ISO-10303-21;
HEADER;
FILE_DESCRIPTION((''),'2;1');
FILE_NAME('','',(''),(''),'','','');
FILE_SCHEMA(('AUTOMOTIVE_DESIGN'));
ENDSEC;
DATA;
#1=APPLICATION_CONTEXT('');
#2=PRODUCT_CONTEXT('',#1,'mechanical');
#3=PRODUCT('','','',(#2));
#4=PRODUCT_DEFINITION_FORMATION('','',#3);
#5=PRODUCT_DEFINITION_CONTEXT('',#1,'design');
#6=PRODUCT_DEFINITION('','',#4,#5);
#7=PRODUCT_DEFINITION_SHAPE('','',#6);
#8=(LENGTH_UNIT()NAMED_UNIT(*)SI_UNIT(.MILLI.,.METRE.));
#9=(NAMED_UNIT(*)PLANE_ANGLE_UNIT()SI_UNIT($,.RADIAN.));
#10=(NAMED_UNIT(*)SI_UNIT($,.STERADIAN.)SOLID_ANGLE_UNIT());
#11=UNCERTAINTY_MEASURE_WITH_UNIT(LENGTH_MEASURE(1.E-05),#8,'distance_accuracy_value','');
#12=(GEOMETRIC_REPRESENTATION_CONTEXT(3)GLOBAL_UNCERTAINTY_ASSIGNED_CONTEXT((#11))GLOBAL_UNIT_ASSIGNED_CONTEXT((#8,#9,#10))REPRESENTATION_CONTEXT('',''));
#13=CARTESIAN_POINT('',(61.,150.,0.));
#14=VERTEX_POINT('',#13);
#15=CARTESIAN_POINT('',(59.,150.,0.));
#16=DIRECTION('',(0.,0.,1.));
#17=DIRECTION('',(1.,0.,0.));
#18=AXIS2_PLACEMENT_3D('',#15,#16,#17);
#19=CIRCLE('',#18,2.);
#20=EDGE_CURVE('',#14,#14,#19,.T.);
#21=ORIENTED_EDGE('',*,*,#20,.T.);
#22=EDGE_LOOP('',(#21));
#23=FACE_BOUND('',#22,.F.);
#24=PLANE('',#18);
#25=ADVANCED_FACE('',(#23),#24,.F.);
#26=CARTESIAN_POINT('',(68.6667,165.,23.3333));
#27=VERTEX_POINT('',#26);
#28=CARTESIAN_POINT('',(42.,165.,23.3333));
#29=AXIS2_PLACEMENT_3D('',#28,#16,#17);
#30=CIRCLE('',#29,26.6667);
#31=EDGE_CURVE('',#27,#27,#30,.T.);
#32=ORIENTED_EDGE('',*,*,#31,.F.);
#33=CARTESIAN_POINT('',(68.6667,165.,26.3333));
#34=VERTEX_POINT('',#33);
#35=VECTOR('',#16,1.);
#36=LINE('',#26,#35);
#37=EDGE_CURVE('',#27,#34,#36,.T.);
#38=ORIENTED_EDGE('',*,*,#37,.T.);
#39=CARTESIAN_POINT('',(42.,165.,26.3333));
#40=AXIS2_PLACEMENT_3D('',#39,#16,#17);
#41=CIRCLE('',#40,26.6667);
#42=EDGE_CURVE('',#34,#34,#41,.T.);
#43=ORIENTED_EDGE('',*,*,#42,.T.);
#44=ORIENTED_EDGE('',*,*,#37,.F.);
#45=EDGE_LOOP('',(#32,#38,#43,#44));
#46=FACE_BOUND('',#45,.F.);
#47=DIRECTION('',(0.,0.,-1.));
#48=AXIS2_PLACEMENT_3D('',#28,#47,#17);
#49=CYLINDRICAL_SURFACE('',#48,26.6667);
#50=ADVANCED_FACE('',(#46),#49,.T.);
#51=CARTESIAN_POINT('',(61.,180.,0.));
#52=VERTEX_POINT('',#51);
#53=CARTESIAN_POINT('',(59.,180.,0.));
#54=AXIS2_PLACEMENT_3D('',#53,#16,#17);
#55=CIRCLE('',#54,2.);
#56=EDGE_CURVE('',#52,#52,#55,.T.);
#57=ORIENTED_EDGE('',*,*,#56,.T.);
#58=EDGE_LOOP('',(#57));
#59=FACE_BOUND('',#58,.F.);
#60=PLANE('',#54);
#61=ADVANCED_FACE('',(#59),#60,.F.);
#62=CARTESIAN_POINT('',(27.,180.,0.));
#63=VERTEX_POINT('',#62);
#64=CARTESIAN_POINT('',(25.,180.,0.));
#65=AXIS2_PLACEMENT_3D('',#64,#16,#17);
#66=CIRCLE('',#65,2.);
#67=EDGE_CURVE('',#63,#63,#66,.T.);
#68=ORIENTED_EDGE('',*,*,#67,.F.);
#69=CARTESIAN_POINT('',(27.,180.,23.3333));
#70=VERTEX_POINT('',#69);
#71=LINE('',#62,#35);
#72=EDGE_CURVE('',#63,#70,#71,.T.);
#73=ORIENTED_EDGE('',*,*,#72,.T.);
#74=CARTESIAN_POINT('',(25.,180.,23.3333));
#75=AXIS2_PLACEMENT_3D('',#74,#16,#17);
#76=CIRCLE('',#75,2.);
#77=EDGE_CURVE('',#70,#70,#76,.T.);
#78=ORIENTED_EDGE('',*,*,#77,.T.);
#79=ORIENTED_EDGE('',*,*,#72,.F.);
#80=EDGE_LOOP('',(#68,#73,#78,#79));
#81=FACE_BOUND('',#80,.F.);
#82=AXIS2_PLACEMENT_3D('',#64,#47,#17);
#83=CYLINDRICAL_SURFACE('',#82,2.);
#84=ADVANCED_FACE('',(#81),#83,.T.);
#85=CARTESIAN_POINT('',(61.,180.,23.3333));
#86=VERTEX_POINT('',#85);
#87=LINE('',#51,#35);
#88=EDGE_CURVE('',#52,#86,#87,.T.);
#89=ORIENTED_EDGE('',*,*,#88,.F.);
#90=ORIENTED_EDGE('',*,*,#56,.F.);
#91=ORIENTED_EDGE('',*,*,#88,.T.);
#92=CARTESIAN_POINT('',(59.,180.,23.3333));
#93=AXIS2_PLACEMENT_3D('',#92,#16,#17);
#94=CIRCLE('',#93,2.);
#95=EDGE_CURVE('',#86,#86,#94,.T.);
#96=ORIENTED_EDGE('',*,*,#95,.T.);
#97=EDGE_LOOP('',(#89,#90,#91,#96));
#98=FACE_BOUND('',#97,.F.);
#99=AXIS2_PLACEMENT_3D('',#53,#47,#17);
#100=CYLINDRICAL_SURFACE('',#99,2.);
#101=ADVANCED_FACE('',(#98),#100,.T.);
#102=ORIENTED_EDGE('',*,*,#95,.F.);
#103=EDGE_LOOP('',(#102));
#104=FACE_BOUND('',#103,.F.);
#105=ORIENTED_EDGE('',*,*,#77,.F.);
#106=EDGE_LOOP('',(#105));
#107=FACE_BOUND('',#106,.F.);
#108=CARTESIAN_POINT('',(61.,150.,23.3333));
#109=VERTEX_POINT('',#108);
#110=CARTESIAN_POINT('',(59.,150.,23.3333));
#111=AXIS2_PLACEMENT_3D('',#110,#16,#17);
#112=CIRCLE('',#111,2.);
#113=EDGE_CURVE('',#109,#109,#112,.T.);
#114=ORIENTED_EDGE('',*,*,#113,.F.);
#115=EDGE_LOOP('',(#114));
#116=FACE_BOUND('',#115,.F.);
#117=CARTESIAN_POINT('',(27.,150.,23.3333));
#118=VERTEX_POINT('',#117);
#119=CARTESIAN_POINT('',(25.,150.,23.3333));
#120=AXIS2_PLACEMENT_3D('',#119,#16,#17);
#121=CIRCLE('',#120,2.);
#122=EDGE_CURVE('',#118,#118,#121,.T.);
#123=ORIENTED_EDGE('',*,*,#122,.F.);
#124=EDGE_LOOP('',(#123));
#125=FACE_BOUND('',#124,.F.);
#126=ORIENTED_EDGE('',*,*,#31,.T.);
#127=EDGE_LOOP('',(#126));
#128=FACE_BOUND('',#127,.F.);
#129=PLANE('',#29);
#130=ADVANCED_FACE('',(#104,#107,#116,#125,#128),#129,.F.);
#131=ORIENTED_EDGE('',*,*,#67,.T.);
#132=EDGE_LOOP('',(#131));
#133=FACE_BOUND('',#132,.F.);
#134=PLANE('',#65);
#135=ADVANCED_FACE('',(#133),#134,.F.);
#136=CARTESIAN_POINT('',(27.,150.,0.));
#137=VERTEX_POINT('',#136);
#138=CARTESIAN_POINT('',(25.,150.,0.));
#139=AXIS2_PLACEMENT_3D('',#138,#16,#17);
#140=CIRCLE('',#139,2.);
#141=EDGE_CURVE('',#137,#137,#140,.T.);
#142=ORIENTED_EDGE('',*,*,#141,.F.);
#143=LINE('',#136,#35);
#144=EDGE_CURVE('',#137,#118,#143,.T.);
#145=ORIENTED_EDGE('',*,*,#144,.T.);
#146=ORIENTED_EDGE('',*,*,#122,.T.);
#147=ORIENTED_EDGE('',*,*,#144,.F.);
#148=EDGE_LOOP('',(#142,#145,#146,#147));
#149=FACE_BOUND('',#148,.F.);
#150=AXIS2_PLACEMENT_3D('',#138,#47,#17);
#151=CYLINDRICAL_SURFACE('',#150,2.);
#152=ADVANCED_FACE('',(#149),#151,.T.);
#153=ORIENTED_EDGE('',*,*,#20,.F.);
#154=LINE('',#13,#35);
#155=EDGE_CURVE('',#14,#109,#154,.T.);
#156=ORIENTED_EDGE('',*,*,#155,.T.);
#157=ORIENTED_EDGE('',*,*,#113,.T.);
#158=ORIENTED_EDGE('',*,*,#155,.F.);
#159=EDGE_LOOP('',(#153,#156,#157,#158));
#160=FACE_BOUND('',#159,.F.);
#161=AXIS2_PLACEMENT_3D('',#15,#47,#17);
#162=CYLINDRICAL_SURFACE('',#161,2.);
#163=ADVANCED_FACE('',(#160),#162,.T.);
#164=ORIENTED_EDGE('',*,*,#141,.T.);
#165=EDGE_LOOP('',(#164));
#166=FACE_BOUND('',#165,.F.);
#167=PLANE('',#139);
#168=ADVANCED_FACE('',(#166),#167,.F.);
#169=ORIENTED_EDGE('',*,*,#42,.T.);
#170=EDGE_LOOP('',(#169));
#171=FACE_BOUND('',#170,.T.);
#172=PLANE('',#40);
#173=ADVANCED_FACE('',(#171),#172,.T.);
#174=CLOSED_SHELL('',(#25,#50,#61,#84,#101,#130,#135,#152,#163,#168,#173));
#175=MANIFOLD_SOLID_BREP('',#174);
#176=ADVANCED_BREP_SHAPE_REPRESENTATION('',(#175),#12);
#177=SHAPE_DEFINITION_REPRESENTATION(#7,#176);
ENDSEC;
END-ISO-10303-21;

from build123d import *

# Parameters (mm, degrees)
CYLINDER002001007_R     = 2
CYLINDER002001007_DEPTH = 23.3333
ARRAY001_X_COUNT        = 2
ARRAY001_X_PITCH        = 34
ARRAY001_Y_COUNT        = 2
ARRAY001_Y_PITCH        = 30
CYLINDER002001006_R     = 26.6667
CYLINDER002001006_DEPTH = 3


with BuildPart() as matriz_4_patas_mesa_comedor:
    # Cylinder002001007 → Cylinder002001007 (new body)
    with BuildSketch(Plane(origin=(25, 150, 0), x_dir=(1, 0, 0), z_dir=(0, 0, 1))):
        Circle(CYLINDER002001007_R)
    extrude(amount=CYLINDER002001007_DEPTH)

    # Array001 X: matriz 4 patas mesa comedor ×2


with BuildPart() as matriz_4_patas_mesa_comedor_1:
    add(matriz_4_patas_mesa_comedor.part)
    with Locations(*[(i * ARRAY001_X_PITCH, 0, 0) for i in range(1, ARRAY001_X_COUNT)]):
        add(matriz_4_patas_mesa_comedor.part)

    # Array001 Y: matriz 4 patas mesa comedor ×2


with BuildPart() as matriz_4_patas_mesa_comedor_2:
    add(matriz_4_patas_mesa_comedor_1.part)
    with Locations(*[(0, i * ARRAY001_Y_PITCH, 0) for i in range(1, ARRAY001_Y_COUNT)]):
        add(matriz_4_patas_mesa_comedor_1.part)


with BuildPart() as mesa_comedor:
    # Cylinder002001006 → Cylinder002001006 (new body)
    with BuildSketch(Plane(origin=(42, 165, 23.3333), x_dir=(1, 0, 0), z_dir=(0, 0, 1))):
        Circle(CYLINDER002001006_R)
    extrude(amount=CYLINDER002001006_DEPTH)

    # Fusion010: union matriz 4 patas mesa comedor
    add(matriz_4_patas_mesa_comedor_2.part)


solid = mesa_comedor.part
